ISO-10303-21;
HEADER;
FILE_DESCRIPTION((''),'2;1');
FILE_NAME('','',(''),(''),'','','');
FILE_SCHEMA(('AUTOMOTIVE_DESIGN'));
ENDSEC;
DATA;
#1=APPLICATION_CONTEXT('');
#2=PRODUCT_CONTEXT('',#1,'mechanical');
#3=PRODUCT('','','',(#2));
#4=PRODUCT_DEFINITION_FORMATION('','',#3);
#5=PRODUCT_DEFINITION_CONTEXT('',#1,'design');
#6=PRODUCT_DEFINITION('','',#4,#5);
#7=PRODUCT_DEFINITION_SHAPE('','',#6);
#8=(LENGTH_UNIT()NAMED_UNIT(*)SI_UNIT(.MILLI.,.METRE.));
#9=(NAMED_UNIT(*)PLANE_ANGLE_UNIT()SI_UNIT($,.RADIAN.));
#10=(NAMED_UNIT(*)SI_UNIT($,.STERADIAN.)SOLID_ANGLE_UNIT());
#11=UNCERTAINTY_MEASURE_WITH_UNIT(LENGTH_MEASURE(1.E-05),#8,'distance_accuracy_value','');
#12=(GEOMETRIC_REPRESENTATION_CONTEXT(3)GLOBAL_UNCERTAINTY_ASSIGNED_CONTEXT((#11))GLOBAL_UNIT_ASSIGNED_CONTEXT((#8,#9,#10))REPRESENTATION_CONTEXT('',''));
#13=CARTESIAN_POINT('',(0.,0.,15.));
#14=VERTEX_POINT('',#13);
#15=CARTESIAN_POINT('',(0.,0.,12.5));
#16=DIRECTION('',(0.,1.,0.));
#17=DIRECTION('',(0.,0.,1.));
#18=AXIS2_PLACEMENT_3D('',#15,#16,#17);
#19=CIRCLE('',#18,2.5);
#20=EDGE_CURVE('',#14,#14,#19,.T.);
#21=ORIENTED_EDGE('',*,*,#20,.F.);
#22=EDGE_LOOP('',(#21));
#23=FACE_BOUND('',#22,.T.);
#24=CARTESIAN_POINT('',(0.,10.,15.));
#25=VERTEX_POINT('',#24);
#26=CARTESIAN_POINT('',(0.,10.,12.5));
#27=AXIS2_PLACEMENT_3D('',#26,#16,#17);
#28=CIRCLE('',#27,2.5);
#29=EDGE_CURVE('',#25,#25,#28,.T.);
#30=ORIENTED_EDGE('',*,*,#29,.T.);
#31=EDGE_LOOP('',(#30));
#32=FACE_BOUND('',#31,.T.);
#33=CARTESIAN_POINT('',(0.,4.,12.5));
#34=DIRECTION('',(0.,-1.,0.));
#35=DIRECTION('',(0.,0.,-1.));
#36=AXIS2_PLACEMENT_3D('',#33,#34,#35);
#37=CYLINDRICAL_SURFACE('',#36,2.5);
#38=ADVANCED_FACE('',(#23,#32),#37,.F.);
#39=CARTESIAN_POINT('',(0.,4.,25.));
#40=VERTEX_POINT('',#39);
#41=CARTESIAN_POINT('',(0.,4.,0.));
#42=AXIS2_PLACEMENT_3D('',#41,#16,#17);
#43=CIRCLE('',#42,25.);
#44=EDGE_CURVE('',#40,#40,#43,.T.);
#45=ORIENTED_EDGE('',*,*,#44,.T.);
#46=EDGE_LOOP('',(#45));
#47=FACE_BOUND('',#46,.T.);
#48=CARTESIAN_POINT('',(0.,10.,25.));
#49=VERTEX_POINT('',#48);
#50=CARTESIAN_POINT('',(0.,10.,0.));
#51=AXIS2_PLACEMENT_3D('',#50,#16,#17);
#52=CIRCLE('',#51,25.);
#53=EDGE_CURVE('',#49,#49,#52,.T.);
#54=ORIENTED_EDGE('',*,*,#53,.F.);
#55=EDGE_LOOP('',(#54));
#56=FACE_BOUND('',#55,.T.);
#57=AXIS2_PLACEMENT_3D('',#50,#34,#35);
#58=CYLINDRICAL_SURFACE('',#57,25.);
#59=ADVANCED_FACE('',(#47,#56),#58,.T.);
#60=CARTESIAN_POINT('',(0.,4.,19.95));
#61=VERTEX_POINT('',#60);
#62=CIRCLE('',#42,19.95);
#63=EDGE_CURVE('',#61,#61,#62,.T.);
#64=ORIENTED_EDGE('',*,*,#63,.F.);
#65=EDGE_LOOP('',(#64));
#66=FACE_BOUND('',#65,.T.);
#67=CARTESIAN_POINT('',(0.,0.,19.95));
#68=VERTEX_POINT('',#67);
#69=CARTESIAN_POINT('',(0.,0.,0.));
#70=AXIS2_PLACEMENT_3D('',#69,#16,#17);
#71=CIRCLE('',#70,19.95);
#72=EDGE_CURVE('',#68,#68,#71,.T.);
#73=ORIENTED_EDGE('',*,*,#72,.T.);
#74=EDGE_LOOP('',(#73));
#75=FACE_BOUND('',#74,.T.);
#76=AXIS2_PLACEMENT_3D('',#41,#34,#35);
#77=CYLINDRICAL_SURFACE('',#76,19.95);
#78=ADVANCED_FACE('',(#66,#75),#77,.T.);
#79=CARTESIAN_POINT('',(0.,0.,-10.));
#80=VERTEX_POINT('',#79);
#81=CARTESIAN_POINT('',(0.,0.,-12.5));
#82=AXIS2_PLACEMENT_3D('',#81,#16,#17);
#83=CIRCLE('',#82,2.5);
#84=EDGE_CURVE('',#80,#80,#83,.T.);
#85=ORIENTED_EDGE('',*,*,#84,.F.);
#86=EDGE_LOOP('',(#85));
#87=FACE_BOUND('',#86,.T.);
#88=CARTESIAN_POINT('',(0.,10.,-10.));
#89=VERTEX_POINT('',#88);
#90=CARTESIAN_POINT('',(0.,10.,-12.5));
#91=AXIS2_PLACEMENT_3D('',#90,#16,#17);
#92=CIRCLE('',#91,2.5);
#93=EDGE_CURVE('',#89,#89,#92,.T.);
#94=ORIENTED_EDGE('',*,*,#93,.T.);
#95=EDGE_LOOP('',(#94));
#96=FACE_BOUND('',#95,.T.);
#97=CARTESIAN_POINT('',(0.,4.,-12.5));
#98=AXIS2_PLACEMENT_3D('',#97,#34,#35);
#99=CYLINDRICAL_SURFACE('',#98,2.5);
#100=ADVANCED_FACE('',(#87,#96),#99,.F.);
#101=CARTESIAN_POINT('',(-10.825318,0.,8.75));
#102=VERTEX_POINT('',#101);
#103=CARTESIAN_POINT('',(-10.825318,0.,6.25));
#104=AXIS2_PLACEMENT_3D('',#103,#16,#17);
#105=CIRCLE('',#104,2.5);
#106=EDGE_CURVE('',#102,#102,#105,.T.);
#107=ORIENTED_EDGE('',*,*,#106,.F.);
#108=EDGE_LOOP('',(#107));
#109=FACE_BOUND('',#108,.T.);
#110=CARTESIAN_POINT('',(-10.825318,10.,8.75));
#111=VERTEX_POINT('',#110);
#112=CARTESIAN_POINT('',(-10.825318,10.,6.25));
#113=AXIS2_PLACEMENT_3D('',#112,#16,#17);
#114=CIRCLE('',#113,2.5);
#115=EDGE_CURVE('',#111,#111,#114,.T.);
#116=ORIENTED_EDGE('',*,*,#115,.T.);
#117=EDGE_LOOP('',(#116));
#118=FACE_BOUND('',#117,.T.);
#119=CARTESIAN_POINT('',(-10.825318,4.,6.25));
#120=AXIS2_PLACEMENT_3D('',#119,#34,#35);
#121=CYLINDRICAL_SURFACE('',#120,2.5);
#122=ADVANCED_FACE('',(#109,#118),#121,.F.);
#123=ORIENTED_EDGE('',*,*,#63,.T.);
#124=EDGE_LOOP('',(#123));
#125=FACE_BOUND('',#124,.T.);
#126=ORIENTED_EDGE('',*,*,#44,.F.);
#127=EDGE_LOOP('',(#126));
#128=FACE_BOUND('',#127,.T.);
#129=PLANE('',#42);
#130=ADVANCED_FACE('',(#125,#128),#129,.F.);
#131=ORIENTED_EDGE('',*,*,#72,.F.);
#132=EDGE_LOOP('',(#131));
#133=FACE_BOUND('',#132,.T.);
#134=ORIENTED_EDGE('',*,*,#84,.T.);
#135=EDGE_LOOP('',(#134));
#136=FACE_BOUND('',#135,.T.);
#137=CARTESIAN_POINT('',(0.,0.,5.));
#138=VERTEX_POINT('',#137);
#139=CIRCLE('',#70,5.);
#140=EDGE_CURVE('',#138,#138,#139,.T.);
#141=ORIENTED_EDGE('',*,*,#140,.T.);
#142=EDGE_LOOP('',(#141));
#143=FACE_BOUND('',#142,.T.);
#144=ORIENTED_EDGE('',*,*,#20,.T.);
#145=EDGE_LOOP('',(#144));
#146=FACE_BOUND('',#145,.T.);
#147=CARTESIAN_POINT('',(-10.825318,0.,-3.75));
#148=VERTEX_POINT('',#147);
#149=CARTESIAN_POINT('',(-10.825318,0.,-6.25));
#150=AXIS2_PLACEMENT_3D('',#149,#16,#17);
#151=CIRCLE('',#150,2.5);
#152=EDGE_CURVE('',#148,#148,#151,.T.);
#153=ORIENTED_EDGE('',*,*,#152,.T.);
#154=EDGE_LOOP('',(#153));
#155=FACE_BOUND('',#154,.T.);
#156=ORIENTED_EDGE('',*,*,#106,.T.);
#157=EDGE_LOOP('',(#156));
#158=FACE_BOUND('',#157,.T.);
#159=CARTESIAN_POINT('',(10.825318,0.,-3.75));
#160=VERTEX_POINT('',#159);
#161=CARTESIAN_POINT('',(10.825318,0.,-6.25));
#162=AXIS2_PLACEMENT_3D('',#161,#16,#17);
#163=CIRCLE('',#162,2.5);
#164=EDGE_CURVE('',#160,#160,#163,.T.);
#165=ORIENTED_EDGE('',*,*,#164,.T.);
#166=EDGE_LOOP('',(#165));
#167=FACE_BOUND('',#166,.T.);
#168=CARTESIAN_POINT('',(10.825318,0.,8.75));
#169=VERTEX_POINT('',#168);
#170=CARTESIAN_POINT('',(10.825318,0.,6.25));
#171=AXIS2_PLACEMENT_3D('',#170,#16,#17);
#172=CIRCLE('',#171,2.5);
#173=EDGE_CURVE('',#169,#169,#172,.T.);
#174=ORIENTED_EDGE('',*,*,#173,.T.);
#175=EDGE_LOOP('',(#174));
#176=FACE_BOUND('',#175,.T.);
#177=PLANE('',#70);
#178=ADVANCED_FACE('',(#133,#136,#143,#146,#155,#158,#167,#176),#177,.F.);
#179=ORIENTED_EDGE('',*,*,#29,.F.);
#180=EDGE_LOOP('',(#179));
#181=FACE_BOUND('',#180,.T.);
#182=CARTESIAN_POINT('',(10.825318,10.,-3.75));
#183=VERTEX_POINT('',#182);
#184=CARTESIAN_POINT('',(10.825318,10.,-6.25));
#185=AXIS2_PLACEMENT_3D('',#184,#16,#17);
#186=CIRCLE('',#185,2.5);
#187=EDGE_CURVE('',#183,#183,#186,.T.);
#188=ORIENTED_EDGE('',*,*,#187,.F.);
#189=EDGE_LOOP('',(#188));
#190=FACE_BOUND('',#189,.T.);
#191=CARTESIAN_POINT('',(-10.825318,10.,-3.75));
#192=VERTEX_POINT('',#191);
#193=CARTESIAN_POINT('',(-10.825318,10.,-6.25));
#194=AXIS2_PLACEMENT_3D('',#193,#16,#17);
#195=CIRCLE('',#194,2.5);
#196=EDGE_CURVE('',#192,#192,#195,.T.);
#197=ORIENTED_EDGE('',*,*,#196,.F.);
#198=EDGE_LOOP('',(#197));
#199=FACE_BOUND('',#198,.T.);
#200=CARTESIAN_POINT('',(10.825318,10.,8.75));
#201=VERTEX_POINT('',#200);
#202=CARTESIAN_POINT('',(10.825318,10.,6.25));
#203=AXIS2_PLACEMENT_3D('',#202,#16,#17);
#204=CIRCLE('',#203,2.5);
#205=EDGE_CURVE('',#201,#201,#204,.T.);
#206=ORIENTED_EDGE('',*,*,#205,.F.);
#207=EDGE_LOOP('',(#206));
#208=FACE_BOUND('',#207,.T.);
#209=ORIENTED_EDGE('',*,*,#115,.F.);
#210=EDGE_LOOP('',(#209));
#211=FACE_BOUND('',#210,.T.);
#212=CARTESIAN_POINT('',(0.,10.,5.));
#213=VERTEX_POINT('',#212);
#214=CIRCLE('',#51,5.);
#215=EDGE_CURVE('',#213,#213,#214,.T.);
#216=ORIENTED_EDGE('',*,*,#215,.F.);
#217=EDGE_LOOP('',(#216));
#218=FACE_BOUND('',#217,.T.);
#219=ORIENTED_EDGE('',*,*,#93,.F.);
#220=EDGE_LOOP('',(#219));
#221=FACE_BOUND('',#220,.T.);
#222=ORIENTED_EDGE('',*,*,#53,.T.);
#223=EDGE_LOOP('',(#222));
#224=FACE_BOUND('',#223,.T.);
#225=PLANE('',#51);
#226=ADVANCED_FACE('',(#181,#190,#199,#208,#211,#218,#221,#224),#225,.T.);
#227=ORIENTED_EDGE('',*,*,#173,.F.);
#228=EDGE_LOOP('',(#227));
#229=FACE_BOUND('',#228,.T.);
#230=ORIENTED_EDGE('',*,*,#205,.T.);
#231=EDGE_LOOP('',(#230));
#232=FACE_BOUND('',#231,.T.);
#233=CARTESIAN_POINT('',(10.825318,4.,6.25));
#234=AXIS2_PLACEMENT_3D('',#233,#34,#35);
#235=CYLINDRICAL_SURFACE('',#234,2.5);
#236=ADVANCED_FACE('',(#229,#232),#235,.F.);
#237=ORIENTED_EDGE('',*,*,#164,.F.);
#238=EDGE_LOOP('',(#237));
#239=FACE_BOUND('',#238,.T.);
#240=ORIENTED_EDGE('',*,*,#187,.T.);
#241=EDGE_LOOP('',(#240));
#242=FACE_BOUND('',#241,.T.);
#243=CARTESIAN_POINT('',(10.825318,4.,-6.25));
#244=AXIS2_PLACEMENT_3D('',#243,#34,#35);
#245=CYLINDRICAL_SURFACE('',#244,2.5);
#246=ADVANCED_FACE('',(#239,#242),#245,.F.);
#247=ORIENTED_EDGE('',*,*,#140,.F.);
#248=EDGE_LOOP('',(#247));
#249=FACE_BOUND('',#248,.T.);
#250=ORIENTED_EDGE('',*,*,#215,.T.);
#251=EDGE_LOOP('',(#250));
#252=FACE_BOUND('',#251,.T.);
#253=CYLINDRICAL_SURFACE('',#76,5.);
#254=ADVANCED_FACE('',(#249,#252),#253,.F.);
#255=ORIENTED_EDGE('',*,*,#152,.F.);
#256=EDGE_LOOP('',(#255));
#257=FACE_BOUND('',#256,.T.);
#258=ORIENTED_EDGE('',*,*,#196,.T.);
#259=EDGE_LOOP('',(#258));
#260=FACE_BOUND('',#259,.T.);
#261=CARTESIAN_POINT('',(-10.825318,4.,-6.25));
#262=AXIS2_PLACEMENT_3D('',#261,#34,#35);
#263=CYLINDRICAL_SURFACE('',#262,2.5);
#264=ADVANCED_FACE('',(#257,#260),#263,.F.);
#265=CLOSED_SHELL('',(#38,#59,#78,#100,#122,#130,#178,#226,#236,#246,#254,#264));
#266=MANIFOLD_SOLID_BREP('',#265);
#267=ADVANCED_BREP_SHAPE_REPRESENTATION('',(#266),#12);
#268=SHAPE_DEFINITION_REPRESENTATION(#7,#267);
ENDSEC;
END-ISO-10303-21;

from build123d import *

# Parameters (mm, degrees)
ESQUISSE1_R        = 19.95
ESQUISSE1_R_2      = 5
ESQUISSE1_R_3      = 2.5
BOSS_EXTRU_1_DEPTH = 4
ESQUISSE2_R        = 25
ESQUISSE2_R_2      = 2.5
ESQUISSE2_R_3      = 5
BOSS_EXTRU_2_DEPTH = 6


with BuildPart() as part:
    # Esquisse1 → Boss.-Extru.1 (new body)
    with BuildSketch(Plane(origin=(0, 0, 0), x_dir=(1, 0, 0), z_dir=(0, 1, 0))):
        Circle(ESQUISSE1_R)
        Circle(ESQUISSE1_R_2, mode=Mode.SUBTRACT)
        with Locations((0, 12.5)):
            Circle(ESQUISSE1_R_3, mode=Mode.SUBTRACT)
        with Locations((10.825317547, 6.25)):
            Circle(ESQUISSE1_R_3, mode=Mode.SUBTRACT)
        with Locations((10.825317547, -6.25)):
            Circle(ESQUISSE1_R_3, mode=Mode.SUBTRACT)
        with Locations((0, -12.5)):
            Circle(ESQUISSE1_R_3, mode=Mode.SUBTRACT)
        with Locations((-10.825317547, -6.25)):
            Circle(ESQUISSE1_R_3, mode=Mode.SUBTRACT)
        with Locations((-10.825317547, 6.25)):
            Circle(ESQUISSE1_R_3, mode=Mode.SUBTRACT)
    extrude(amount=BOSS_EXTRU_1_DEPTH)

    # Esquisse2 → Boss.-Extru.2 (add)
    with BuildSketch(Plane(origin=(0, 4, 0), x_dir=(1, 0, 0), z_dir=(0, 1, 0))):
        Circle(ESQUISSE2_R)
        with Locations((0, 12.5)):
            Circle(ESQUISSE2_R_2, mode=Mode.SUBTRACT)
        with Locations((10.825317547, 6.25)):
            Circle(ESQUISSE2_R_2, mode=Mode.SUBTRACT)
        with Locations((10.825317547, -6.25)):
            Circle(ESQUISSE2_R_2, mode=Mode.SUBTRACT)
        Circle(ESQUISSE2_R_3, mode=Mode.SUBTRACT)
        with Locations((0, -12.5)):
            Circle(ESQUISSE2_R_2, mode=Mode.SUBTRACT)
        with Locations((-10.825317547, -6.25)):
            Circle(ESQUISSE2_R_2, mode=Mode.SUBTRACT)
        with Locations((-10.825317547, 6.25)):
            Circle(ESQUISSE2_R_2, mode=Mode.SUBTRACT)
    extrude(amount=BOSS_EXTRU_2_DEPTH)


solid = part.part
